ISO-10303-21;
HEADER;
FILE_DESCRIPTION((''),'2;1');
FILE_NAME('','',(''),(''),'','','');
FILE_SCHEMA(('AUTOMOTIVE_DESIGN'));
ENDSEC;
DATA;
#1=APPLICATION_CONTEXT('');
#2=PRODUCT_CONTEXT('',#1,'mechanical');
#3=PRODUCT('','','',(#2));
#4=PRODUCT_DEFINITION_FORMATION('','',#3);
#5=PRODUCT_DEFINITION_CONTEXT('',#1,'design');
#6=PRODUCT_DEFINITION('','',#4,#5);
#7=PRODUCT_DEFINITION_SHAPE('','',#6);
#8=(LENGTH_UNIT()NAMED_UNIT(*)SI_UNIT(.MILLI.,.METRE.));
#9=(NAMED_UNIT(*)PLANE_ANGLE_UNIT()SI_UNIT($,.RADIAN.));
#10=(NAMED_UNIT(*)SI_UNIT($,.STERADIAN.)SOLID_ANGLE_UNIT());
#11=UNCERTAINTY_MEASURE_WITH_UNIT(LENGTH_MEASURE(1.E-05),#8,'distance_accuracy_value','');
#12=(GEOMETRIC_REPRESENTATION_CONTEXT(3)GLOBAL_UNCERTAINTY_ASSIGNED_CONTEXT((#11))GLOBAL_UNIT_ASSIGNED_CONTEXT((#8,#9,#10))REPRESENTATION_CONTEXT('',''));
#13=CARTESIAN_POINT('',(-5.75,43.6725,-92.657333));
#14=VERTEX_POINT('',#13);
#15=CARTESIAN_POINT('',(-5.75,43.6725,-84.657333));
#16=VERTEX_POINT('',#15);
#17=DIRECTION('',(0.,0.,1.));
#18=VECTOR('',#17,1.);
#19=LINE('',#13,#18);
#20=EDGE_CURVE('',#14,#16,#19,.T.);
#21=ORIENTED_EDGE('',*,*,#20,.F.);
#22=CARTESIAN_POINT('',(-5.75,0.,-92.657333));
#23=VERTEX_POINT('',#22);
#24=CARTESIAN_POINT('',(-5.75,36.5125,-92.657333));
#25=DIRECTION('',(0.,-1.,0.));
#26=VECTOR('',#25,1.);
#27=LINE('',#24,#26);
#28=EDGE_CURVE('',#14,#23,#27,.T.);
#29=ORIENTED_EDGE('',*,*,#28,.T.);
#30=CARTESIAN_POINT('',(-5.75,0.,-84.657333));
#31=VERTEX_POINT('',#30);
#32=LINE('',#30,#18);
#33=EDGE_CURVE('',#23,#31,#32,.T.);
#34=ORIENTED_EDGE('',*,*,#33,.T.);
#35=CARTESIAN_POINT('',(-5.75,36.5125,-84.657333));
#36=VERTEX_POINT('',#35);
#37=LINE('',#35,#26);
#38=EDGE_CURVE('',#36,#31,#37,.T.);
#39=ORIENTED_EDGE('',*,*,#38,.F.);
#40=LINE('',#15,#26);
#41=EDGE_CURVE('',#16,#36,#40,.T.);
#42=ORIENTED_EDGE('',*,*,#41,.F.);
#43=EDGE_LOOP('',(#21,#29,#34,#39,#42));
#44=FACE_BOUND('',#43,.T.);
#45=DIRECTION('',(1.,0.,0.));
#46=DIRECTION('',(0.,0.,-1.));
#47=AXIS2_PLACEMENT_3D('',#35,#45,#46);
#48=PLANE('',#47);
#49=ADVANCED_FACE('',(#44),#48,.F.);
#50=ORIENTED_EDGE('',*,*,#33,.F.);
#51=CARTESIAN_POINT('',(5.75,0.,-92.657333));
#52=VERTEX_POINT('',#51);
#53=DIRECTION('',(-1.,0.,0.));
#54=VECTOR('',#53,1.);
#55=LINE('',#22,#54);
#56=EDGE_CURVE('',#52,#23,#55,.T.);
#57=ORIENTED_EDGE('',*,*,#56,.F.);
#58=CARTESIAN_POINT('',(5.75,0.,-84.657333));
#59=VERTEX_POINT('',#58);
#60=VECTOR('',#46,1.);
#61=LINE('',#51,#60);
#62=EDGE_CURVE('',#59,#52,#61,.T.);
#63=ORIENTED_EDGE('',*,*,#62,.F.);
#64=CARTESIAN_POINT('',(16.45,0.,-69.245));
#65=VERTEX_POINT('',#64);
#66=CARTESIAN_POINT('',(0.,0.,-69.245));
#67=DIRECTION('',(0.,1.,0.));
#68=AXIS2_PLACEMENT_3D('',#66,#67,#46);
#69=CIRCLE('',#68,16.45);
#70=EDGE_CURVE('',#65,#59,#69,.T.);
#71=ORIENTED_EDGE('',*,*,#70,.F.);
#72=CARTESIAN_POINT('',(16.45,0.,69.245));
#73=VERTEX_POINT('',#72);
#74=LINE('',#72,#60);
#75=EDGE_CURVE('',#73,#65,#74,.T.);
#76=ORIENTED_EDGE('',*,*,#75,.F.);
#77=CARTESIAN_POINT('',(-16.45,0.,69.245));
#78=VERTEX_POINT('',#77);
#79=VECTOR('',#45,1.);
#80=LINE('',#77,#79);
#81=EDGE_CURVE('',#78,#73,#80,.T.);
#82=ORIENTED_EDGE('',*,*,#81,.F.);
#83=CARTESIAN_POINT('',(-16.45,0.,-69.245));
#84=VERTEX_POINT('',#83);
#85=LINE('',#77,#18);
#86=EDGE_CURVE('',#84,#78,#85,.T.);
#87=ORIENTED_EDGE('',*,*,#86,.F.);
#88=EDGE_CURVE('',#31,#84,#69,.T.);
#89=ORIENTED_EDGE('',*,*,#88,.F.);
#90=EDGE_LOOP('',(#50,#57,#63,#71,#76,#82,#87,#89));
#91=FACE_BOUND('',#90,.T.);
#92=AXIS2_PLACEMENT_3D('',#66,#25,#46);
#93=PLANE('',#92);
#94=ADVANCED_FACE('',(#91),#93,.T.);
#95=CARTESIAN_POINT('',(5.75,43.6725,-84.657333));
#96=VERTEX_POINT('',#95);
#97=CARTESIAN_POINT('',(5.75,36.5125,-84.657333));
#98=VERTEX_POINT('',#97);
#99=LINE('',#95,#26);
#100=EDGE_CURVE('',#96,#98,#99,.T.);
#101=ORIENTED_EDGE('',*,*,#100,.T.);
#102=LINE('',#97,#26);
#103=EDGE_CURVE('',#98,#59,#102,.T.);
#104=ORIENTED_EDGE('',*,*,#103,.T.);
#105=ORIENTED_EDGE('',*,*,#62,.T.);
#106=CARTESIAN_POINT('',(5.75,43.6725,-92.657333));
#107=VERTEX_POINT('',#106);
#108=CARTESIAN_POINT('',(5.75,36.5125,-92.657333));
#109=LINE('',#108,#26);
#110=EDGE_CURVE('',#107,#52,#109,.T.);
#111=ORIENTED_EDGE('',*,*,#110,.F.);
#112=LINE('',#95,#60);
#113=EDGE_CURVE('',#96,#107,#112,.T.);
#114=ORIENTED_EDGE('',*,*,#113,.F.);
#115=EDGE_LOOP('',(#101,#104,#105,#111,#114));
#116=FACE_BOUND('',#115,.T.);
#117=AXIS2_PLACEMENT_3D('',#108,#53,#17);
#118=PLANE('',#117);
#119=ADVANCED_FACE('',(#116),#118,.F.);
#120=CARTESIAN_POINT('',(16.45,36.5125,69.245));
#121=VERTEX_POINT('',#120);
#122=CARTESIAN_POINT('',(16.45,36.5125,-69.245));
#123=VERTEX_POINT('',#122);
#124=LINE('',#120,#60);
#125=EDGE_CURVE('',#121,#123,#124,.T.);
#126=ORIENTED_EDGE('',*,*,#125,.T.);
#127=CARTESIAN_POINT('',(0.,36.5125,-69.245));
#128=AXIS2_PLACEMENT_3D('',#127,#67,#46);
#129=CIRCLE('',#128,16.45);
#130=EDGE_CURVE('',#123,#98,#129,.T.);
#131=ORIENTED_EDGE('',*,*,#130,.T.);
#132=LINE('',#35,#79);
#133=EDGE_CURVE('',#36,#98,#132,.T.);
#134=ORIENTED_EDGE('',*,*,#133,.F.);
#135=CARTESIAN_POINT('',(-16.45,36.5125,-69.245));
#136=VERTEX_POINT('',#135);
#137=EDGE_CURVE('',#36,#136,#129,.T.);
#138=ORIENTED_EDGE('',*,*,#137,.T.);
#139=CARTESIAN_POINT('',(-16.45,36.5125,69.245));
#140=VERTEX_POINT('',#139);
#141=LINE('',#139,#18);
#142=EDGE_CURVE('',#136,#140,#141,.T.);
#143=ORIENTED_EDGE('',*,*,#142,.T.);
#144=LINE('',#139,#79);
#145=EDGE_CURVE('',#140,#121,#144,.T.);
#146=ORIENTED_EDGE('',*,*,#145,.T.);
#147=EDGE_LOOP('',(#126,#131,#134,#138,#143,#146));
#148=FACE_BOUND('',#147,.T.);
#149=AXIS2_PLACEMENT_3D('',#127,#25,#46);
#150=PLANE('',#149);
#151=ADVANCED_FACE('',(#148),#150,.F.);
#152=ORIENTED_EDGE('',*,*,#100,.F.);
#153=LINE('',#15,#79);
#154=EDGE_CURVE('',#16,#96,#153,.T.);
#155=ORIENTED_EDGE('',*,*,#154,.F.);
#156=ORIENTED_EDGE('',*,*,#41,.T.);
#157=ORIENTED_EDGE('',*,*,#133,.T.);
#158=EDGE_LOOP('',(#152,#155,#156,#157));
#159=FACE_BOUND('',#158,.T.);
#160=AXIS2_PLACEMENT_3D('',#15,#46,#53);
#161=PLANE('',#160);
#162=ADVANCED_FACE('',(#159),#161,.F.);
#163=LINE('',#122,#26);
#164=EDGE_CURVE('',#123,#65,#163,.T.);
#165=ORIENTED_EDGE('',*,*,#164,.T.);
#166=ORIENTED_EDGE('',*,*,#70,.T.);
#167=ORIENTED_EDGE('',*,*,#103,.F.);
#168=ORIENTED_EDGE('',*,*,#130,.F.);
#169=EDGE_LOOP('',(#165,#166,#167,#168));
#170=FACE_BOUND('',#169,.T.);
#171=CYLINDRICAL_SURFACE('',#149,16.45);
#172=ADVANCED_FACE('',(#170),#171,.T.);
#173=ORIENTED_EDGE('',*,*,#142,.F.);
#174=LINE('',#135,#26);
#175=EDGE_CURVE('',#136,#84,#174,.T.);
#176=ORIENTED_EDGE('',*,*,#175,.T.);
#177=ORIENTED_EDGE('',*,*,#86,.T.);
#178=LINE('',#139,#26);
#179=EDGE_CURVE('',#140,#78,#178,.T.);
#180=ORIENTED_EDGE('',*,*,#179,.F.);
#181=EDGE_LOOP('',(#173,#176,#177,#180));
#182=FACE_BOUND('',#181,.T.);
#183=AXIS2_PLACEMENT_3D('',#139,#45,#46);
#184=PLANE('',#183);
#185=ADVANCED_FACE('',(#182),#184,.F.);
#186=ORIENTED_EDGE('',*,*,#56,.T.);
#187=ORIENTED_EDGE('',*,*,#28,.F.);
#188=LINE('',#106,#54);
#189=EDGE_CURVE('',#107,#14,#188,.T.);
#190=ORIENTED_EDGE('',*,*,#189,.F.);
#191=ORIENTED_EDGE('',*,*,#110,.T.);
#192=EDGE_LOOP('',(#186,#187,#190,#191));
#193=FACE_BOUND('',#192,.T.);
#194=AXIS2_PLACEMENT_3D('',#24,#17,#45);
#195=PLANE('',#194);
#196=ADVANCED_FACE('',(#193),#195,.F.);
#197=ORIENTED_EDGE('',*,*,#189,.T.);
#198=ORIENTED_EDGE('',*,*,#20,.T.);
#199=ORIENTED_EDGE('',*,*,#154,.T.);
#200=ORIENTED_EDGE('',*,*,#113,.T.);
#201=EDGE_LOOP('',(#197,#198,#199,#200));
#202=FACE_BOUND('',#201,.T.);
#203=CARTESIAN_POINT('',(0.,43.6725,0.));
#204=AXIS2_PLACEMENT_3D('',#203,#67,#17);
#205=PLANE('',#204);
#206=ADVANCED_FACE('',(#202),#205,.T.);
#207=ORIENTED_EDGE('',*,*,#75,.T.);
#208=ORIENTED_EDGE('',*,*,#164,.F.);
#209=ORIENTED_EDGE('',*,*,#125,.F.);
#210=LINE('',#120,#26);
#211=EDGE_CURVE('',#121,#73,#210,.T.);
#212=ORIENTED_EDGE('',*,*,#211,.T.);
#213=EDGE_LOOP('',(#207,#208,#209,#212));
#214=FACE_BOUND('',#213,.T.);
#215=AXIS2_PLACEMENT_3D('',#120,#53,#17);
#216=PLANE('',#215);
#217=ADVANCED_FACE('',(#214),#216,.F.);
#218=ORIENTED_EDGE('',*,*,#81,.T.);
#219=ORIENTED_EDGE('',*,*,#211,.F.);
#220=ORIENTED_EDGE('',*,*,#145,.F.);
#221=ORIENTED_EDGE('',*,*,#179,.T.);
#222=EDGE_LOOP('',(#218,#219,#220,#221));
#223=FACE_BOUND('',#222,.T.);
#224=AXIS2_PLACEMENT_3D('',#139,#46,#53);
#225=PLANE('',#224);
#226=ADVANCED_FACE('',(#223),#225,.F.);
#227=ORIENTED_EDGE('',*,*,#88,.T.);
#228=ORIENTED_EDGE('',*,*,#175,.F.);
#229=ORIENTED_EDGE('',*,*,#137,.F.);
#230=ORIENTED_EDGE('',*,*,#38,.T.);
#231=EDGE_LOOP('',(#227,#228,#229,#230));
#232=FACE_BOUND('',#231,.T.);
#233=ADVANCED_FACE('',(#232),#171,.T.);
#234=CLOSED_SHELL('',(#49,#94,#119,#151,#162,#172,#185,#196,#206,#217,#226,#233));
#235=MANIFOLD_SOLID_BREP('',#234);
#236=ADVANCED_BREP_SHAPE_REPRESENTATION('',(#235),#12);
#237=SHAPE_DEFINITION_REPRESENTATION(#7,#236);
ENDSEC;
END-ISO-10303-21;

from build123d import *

# Parameters (mm, degrees)
BOSS_EXTRUDE1_DEPTH = 36.5125
SKETCH2_W           = 11.5
SKETCH2_H           = 8
BOSS_EXTRUDE2_DEPTH = 7.16


with BuildPart() as part:
    # Sketch1 → Boss-Extrude1 (new body)
    with BuildSketch(Plane(origin=(0, 0, 0), x_dir=(1, 0, 0), z_dir=(0, 1, 0))):
        with BuildLine():
            Line((-16.45, -69.245), (16.45, -69.245))
            Line((16.45, -69.245), (16.45, 69.245))
            ThreePointArc((16.45, 69.245), (13.512771736, 78.626231262), (5.75, 84.657332724))
            Line((5.75, 84.657332724), (5.75, 92.657332724))
            Line((5.75, 92.657332724), (-5.75, 92.657332724))
            Line((-5.75, 92.657332724), (-5.75, 84.657332724))
            ThreePointArc((-5.75, 84.657332724), (-13.512771736, 78.626231262), (-16.45, 69.245))
            Line((-16.45, 69.245), (-16.45, -69.245))
        make_face()
    extrude(amount=BOSS_EXTRUDE1_DEPTH)

    # Sketch2 → Boss-Extrude2 (add)
    with BuildSketch(Plane(origin=(0, 36.5125, 0), x_dir=(1, 0, 0), z_dir=(0, 1, 0))):
        with Locations((0, 88.657332724)):
            Rectangle(SKETCH2_W, SKETCH2_H)
    extrude(amount=BOSS_EXTRUDE2_DEPTH)


solid = part.part
